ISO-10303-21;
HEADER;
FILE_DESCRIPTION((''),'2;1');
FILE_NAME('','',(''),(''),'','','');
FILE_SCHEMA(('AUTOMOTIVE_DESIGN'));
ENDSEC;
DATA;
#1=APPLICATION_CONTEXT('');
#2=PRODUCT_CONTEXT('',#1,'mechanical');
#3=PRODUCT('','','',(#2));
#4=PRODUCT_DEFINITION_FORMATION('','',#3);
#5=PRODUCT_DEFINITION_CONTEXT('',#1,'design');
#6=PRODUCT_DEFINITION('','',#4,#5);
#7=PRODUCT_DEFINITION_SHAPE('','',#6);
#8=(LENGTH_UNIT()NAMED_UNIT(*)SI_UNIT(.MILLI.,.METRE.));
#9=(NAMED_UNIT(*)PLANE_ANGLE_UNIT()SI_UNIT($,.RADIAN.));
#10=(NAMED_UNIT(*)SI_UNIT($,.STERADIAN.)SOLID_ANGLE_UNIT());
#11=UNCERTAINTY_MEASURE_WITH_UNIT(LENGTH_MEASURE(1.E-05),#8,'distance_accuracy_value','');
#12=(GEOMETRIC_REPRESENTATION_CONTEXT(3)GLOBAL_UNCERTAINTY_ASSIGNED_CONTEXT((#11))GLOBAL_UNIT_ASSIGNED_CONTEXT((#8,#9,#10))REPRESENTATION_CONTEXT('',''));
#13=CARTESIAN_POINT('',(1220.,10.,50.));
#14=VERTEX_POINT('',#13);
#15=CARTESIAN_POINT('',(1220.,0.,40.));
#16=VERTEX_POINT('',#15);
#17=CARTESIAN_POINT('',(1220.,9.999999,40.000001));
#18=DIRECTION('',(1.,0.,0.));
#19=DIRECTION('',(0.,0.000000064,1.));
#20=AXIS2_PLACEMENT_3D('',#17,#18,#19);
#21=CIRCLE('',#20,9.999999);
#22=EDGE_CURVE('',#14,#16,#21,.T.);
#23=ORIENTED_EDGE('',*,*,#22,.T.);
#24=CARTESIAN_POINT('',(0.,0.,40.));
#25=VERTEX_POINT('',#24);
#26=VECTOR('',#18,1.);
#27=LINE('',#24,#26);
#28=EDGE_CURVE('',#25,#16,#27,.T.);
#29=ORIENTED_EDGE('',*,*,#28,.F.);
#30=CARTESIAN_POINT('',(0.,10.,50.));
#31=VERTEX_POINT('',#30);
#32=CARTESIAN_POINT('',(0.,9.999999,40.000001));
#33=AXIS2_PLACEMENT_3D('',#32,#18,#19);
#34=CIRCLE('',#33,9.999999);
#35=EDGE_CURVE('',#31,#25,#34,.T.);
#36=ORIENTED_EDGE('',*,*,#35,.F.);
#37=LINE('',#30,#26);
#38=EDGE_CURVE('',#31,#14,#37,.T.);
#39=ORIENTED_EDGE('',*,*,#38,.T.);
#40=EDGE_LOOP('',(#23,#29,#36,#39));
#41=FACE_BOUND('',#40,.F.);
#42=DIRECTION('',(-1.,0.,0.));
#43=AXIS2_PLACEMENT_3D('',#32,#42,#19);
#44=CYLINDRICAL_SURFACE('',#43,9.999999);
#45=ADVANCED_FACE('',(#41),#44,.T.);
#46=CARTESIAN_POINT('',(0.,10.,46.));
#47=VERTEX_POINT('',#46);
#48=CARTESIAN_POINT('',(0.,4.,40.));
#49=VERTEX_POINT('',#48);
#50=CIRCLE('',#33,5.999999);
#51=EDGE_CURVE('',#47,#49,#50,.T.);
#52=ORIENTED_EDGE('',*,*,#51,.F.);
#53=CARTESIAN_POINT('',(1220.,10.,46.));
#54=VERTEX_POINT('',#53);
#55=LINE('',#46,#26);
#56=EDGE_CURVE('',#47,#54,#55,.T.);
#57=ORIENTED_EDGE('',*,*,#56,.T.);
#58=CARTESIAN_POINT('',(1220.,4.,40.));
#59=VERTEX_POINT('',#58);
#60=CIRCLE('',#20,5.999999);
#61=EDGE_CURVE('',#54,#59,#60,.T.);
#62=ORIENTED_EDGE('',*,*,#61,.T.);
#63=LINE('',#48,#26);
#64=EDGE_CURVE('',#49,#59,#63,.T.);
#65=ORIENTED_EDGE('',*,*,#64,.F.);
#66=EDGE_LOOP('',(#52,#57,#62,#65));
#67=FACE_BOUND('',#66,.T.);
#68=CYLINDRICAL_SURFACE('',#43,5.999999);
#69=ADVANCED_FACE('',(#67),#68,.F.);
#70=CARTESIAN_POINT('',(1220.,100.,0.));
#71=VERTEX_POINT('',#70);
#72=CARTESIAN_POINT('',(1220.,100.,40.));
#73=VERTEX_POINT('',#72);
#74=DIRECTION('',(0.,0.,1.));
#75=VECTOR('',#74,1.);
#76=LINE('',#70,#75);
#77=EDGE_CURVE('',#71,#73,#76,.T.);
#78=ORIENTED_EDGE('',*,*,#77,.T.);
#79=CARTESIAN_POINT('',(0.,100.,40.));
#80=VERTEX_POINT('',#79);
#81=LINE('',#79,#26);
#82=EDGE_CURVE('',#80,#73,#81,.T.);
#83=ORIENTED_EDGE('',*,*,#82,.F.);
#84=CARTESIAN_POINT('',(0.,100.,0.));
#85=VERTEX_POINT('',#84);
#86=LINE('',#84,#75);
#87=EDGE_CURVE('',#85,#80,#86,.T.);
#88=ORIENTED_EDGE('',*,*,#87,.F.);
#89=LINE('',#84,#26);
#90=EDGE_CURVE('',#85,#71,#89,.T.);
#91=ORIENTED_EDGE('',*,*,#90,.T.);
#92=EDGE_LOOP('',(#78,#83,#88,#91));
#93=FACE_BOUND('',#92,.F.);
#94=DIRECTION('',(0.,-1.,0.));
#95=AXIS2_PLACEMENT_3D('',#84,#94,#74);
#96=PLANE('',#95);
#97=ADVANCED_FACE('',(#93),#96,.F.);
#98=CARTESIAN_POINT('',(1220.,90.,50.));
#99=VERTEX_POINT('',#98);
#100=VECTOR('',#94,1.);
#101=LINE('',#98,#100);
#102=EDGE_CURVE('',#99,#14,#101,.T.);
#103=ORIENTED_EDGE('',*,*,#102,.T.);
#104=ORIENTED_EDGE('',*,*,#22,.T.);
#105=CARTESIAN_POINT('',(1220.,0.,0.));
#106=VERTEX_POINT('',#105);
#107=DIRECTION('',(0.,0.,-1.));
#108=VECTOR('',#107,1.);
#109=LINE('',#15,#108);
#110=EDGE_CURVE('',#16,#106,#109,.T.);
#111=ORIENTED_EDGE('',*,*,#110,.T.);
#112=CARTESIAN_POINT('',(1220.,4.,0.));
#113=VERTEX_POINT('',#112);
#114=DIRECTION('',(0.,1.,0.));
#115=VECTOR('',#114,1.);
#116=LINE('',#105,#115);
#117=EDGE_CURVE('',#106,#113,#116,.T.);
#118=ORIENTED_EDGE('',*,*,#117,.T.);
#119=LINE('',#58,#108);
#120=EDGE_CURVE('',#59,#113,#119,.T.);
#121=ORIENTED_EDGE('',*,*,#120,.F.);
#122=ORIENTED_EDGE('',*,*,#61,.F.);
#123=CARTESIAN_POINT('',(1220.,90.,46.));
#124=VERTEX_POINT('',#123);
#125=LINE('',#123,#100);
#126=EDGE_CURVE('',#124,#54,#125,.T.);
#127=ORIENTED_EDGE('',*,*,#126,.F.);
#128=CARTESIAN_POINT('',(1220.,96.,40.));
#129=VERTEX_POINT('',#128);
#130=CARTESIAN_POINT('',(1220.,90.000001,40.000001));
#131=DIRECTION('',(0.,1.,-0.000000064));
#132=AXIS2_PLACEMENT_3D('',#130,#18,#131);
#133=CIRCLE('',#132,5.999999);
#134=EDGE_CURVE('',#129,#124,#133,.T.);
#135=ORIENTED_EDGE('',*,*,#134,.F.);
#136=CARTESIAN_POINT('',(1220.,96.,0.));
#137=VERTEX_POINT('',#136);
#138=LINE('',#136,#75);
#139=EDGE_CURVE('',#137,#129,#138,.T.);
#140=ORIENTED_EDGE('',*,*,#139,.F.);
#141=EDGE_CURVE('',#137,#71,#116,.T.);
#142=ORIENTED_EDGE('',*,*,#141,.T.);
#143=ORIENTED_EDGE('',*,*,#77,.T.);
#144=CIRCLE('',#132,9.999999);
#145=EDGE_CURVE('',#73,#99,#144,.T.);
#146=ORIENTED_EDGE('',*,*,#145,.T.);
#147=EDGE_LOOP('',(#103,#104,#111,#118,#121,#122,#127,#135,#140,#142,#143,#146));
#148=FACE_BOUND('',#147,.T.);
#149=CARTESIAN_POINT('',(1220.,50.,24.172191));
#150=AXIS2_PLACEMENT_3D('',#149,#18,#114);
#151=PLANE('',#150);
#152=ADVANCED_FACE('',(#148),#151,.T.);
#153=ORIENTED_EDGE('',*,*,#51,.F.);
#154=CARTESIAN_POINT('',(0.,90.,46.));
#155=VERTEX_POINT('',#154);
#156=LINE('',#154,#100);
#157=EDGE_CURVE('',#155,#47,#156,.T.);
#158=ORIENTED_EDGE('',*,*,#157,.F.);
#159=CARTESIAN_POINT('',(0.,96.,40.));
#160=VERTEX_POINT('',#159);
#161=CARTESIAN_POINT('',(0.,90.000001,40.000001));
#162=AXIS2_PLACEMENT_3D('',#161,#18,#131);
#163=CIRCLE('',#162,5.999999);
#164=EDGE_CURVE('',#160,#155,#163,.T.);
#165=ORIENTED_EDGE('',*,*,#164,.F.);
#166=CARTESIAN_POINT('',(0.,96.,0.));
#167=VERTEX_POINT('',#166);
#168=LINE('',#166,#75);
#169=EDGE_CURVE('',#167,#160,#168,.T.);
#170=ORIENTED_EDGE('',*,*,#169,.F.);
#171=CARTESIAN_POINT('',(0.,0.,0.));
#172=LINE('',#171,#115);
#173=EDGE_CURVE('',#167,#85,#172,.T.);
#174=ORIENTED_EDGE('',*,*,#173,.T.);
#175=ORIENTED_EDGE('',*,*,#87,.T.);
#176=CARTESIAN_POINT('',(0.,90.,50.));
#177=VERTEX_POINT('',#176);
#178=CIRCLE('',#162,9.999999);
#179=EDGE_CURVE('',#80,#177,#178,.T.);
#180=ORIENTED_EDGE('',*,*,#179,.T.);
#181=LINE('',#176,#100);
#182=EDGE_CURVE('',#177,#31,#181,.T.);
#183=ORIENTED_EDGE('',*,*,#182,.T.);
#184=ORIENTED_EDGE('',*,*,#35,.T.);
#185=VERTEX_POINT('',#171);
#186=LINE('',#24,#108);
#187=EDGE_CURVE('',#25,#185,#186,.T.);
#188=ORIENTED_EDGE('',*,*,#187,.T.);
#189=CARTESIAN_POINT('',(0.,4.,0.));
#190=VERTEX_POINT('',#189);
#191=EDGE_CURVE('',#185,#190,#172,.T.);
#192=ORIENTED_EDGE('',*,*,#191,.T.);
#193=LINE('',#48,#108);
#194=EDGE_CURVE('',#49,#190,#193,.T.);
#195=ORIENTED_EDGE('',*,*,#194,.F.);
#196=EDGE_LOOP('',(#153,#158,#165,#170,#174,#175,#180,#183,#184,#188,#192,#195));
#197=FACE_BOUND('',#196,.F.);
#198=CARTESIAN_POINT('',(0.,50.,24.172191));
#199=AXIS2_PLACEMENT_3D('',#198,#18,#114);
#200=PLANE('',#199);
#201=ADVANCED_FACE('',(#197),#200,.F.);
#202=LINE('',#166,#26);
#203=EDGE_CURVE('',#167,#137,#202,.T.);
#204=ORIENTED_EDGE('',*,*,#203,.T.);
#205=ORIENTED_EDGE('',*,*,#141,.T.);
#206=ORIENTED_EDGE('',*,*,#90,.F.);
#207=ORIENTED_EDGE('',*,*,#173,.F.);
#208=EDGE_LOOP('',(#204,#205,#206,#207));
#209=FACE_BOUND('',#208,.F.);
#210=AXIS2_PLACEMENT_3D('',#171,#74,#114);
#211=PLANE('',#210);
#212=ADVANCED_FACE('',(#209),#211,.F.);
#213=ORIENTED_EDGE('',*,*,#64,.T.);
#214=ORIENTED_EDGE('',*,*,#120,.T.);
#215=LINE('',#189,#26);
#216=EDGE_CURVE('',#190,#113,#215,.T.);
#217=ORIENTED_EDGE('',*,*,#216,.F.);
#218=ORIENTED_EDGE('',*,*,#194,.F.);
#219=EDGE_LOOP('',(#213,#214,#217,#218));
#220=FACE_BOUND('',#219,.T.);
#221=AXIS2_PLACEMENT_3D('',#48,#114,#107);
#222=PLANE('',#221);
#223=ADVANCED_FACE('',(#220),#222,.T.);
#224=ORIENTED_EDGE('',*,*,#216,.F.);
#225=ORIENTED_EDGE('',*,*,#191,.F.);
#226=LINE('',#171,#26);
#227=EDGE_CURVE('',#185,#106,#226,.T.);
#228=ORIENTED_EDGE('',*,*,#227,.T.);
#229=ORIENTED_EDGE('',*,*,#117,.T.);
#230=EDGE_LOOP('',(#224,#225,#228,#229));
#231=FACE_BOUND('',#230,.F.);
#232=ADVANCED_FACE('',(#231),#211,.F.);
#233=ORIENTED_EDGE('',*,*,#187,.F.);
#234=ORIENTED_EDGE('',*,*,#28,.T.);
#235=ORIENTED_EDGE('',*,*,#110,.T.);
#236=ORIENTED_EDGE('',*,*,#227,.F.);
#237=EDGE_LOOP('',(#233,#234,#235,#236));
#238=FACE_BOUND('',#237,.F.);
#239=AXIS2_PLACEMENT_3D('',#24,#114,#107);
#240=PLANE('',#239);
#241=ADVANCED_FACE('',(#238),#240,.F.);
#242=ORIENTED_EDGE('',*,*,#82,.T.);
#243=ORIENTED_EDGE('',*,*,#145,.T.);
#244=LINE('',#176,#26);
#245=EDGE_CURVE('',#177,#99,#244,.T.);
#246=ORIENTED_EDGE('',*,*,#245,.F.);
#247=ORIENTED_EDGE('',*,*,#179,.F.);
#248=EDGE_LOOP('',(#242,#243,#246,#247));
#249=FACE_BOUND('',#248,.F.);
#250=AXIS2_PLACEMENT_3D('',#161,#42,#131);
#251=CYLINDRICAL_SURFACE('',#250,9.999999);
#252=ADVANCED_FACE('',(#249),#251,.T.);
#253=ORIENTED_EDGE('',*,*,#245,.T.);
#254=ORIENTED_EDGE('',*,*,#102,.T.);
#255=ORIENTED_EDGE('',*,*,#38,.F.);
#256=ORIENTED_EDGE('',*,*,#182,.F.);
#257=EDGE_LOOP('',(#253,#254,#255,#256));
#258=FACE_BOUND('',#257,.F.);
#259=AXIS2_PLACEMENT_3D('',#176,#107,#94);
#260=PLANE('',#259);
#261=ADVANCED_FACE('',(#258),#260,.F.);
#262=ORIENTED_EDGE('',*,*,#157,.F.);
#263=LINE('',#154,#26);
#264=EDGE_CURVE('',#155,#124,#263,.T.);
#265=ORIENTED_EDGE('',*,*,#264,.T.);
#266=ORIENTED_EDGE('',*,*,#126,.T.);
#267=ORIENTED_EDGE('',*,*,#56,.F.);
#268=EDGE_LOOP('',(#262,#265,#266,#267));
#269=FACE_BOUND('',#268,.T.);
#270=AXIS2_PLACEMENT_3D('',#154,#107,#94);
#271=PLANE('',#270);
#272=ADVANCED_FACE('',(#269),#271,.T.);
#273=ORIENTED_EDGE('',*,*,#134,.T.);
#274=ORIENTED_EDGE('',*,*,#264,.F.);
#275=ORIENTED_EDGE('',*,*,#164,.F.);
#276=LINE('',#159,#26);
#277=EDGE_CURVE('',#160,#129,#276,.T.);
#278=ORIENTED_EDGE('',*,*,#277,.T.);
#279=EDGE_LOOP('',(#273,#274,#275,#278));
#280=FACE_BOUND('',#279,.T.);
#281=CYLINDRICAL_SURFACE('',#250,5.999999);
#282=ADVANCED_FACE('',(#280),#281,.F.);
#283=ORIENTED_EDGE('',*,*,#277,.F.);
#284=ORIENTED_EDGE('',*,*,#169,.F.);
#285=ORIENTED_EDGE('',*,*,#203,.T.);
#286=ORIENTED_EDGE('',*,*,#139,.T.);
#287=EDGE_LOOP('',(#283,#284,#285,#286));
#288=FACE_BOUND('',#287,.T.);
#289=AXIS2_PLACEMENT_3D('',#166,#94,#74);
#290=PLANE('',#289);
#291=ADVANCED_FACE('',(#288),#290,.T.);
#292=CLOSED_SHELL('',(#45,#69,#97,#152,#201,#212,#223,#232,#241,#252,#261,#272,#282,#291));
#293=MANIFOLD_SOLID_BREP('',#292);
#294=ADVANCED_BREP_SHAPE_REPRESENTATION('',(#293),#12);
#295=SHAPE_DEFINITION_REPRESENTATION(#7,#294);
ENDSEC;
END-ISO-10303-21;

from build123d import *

# Parameters (mm, degrees)
F1_DEPTH = 1220
F2_T     = -4


with BuildPart() as f1:
    # F0 (on Right) → F1 (new body)
    with BuildSketch(Plane.YZ):
        with BuildLine():
            Line((0, 40), (0, 0))
            Line((0, 0), (100, 0))
            Line((100, 0), (100, 40))
            ThreePointArc((100, 40), (97.071068, 47.071068), (90, 50))
            Line((90, 50), (10, 50))
            ThreePointArc((10, 50), (2.928932, 47.071068), (0, 40))
        make_face()
    extrude(amount=F1_DEPTH)

    # F2
    f2_openings = [f1.faces().sort_by_distance(p)[0] for p in [
        (610, 50, 0),
        (1220, 50, 24.80288),
        (0, 50, 24.80288),
    ]]
    offset(amount=F2_T, openings=f2_openings)


solid = f1.part
